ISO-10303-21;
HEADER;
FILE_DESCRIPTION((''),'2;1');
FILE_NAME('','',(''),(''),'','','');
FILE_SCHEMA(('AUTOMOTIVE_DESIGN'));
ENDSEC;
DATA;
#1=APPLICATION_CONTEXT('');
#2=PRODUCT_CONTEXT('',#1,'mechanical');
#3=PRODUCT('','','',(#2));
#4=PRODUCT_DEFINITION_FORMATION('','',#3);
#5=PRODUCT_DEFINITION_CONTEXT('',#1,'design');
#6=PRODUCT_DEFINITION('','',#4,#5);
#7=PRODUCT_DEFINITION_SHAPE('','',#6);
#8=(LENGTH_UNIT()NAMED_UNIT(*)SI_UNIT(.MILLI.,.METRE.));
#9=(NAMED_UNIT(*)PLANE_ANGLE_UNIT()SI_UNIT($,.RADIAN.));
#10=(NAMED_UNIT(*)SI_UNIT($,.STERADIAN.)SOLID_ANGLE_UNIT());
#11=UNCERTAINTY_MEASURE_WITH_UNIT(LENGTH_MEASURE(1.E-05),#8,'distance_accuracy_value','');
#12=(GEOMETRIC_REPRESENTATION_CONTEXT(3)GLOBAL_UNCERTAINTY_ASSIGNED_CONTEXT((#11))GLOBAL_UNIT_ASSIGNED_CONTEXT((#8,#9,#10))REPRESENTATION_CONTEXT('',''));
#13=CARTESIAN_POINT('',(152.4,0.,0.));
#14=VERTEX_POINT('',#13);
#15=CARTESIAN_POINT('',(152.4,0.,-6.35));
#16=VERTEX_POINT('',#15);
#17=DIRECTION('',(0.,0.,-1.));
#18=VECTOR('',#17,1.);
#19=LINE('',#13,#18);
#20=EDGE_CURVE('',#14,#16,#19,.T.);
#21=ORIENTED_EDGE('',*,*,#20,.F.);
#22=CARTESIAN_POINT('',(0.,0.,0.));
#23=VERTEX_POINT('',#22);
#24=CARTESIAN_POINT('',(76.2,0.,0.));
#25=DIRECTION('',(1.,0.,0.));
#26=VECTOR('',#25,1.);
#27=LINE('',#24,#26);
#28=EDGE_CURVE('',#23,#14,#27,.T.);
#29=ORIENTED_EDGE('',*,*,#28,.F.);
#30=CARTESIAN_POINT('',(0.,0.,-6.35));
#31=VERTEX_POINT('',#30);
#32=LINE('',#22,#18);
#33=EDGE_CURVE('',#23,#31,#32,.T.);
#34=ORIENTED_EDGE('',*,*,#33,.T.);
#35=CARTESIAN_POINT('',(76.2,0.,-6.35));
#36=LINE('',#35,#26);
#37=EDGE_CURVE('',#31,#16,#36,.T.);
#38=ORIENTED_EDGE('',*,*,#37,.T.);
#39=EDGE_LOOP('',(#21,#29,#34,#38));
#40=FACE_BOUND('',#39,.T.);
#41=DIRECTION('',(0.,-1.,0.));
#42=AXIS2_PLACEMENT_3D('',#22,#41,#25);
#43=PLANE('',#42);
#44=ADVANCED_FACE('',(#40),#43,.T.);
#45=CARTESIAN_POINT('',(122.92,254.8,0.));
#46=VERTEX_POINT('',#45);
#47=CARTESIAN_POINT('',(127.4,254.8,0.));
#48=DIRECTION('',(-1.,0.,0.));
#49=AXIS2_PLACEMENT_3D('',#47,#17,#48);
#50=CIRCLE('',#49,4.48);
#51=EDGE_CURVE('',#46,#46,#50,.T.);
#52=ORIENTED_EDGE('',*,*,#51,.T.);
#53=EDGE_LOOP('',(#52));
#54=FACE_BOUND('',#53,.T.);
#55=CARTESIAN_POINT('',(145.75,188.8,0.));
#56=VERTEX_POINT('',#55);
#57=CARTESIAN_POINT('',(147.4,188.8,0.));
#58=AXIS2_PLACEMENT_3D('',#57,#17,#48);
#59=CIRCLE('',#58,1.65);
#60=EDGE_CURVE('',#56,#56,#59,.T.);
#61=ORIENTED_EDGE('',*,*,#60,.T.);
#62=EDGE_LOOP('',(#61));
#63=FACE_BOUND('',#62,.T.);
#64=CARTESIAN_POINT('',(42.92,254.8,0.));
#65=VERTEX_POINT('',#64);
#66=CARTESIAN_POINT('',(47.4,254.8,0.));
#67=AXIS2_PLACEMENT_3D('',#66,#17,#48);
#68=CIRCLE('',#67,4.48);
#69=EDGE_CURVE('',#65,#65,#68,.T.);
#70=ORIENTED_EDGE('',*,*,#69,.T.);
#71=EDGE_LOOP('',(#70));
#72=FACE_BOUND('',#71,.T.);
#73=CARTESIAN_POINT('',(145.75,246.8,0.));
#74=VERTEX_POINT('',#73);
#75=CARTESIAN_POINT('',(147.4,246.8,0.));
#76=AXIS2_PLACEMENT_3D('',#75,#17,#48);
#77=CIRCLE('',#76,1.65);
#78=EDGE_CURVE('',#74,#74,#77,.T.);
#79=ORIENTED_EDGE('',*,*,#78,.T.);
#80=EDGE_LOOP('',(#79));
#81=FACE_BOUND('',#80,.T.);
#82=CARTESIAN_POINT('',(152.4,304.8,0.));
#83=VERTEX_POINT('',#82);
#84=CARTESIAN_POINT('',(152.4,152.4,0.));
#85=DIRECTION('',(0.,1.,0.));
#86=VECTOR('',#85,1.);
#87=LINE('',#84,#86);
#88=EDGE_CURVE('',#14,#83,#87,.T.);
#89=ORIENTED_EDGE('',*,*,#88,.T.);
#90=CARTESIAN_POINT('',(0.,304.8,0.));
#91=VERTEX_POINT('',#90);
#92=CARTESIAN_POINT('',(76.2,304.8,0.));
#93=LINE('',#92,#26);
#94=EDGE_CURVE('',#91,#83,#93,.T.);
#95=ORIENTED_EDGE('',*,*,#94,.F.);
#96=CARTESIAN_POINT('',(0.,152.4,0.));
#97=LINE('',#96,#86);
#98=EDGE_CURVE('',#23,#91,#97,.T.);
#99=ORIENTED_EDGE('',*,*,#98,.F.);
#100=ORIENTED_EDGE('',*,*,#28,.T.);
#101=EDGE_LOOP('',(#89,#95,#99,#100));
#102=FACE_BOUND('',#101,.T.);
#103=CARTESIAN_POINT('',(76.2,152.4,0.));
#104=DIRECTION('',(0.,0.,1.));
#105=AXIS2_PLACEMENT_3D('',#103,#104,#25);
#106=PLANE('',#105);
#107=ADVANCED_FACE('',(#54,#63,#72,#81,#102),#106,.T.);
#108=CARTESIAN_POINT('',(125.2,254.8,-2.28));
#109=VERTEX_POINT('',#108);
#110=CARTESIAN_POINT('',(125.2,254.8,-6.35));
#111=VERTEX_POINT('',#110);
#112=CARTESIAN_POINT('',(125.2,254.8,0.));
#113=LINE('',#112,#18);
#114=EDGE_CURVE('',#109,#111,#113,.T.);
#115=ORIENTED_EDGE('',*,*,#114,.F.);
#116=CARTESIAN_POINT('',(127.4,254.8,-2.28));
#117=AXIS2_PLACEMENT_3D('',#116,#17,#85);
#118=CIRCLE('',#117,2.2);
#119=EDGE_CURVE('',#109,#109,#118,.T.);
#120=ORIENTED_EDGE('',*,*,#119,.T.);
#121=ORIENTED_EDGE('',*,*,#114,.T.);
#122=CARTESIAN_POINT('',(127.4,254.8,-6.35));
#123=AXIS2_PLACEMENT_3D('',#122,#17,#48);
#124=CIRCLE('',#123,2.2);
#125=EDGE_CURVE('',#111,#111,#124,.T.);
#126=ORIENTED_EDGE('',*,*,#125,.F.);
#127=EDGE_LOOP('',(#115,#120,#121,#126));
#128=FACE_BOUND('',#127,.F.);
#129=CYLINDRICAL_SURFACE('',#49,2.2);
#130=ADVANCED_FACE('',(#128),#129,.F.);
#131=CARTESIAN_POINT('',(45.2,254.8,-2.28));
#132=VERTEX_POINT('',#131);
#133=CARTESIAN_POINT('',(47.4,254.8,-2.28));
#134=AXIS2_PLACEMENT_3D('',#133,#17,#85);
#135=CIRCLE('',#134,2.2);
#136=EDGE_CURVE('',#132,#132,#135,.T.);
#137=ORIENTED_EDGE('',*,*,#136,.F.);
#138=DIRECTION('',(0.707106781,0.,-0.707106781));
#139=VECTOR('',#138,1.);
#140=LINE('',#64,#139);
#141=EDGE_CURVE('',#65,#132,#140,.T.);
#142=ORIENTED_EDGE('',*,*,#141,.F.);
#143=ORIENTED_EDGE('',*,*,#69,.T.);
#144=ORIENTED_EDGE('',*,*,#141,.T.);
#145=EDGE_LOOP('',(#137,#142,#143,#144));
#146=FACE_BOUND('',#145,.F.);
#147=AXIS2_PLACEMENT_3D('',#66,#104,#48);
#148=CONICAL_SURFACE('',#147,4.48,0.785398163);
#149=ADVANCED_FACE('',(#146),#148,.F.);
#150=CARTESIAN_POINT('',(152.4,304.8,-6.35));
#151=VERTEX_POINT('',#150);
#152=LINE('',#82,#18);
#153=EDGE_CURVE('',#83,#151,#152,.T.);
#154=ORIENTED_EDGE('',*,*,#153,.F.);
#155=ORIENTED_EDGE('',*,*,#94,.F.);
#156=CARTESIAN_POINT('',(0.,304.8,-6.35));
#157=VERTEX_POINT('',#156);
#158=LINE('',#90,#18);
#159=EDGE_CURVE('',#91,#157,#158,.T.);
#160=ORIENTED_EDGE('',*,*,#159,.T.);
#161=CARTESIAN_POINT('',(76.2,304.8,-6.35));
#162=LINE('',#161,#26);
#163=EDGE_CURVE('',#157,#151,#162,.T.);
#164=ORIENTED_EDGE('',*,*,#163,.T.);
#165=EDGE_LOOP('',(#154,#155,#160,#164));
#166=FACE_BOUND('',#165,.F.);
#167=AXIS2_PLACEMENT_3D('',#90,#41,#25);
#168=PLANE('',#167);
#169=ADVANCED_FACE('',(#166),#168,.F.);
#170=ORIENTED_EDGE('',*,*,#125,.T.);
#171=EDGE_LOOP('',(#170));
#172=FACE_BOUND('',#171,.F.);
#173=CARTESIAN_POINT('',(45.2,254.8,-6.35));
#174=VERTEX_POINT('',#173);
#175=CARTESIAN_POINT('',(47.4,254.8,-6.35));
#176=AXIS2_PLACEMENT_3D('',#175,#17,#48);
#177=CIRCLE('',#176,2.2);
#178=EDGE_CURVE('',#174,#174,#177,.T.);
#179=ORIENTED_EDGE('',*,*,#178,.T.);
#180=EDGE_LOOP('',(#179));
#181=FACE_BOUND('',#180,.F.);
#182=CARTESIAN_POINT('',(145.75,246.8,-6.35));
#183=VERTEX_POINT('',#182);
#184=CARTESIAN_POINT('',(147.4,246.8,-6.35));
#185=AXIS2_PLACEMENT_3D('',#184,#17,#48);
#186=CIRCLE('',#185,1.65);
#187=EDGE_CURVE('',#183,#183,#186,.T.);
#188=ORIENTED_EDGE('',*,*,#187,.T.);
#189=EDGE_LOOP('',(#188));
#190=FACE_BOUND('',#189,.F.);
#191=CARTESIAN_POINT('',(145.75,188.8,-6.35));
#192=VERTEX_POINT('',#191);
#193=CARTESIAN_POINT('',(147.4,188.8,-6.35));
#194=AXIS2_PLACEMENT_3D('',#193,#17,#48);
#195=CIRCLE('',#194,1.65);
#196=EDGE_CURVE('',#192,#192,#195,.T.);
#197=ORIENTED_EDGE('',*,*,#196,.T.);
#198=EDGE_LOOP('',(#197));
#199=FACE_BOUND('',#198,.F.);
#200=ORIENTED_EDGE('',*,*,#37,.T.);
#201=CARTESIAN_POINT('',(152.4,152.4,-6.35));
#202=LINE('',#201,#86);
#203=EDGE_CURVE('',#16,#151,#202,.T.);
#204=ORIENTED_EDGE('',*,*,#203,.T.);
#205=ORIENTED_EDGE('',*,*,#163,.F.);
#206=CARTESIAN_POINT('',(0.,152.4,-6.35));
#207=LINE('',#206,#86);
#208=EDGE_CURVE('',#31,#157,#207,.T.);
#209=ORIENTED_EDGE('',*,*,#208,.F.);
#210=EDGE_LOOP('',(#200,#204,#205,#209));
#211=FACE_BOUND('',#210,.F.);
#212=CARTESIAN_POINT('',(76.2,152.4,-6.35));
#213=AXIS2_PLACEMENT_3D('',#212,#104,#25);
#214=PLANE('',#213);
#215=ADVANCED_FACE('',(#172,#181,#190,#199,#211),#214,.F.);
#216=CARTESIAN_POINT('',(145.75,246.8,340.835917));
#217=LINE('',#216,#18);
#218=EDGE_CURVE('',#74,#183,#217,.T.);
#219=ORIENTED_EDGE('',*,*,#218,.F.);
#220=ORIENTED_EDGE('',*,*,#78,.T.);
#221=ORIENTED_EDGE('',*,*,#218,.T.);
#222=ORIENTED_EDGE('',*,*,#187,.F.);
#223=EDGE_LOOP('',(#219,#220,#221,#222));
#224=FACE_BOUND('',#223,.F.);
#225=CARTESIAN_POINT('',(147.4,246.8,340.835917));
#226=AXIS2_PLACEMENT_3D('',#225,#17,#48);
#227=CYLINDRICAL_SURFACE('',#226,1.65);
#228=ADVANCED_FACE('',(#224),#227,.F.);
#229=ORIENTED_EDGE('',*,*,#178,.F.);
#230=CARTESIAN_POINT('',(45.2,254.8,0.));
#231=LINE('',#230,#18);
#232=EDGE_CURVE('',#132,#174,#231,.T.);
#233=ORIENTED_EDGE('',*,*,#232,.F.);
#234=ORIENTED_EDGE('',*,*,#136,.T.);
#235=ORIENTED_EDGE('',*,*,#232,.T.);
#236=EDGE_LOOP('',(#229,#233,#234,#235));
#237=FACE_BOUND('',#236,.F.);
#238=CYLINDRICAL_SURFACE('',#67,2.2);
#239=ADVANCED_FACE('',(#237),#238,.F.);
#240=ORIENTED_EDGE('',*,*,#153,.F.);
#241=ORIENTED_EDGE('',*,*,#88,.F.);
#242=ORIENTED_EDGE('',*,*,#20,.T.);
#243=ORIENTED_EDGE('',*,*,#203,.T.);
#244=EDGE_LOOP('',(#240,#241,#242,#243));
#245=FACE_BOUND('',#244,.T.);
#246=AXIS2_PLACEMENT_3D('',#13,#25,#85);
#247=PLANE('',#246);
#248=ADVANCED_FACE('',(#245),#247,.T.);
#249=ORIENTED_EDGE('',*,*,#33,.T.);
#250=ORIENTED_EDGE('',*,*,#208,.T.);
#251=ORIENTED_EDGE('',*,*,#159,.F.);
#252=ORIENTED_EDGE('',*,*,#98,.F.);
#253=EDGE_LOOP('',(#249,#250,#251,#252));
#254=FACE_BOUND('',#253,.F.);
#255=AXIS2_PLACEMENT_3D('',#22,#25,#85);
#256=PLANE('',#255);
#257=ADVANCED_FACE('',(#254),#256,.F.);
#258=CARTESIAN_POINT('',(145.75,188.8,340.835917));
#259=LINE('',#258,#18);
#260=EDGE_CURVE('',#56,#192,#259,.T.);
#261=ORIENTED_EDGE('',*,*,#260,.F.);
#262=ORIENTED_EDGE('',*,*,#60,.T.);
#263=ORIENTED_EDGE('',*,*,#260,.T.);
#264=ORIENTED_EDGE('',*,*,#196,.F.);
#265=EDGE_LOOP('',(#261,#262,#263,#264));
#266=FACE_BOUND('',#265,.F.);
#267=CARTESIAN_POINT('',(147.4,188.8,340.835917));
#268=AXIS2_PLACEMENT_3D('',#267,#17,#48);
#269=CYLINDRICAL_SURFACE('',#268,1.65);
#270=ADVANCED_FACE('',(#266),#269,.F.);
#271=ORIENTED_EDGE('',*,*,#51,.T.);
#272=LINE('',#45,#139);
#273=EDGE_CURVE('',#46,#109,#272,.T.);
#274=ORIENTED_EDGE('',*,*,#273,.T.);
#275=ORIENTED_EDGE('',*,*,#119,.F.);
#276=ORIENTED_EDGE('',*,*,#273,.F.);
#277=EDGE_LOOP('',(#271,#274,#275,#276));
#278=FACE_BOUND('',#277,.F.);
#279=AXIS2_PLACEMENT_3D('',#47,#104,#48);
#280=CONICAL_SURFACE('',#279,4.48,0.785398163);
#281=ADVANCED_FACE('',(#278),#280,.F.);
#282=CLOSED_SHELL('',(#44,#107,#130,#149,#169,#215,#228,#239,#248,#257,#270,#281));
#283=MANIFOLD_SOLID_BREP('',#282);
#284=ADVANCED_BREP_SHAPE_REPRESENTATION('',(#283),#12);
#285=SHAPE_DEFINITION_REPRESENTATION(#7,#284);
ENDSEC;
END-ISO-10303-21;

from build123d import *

# Parameters (mm, degrees)
F0_W           = 152.4
F0_H           = 304.8
F1_DEPTH       = 6.35
F3_D           = 4.4
F3_CSINK_D     = 8.96
F3_CSINK_ANGLE = 90
F5_D           = 3.3


with BuildPart() as f1:
    # F0 (on Top) → F1 (new body)
    with BuildSketch(Plane.XY):
        with Locations((76.2, 152.4)):
            Rectangle(F0_W, F0_H)
    extrude(amount=-F1_DEPTH)

    # F3 (through all)
    with Locations(Plane.XY):
        with Locations((127.4, 254.8), (47.4, 254.8)):
            CounterSinkHole(F3_D / 2, F3_CSINK_D / 2, counter_sink_angle=F3_CSINK_ANGLE)

    # F5 (through all)
    with Locations(Plane.XY):
        with Locations((147.4, 246.8), (147.4, 188.8)):
            Hole(F5_D / 2)


solid = f1.part
